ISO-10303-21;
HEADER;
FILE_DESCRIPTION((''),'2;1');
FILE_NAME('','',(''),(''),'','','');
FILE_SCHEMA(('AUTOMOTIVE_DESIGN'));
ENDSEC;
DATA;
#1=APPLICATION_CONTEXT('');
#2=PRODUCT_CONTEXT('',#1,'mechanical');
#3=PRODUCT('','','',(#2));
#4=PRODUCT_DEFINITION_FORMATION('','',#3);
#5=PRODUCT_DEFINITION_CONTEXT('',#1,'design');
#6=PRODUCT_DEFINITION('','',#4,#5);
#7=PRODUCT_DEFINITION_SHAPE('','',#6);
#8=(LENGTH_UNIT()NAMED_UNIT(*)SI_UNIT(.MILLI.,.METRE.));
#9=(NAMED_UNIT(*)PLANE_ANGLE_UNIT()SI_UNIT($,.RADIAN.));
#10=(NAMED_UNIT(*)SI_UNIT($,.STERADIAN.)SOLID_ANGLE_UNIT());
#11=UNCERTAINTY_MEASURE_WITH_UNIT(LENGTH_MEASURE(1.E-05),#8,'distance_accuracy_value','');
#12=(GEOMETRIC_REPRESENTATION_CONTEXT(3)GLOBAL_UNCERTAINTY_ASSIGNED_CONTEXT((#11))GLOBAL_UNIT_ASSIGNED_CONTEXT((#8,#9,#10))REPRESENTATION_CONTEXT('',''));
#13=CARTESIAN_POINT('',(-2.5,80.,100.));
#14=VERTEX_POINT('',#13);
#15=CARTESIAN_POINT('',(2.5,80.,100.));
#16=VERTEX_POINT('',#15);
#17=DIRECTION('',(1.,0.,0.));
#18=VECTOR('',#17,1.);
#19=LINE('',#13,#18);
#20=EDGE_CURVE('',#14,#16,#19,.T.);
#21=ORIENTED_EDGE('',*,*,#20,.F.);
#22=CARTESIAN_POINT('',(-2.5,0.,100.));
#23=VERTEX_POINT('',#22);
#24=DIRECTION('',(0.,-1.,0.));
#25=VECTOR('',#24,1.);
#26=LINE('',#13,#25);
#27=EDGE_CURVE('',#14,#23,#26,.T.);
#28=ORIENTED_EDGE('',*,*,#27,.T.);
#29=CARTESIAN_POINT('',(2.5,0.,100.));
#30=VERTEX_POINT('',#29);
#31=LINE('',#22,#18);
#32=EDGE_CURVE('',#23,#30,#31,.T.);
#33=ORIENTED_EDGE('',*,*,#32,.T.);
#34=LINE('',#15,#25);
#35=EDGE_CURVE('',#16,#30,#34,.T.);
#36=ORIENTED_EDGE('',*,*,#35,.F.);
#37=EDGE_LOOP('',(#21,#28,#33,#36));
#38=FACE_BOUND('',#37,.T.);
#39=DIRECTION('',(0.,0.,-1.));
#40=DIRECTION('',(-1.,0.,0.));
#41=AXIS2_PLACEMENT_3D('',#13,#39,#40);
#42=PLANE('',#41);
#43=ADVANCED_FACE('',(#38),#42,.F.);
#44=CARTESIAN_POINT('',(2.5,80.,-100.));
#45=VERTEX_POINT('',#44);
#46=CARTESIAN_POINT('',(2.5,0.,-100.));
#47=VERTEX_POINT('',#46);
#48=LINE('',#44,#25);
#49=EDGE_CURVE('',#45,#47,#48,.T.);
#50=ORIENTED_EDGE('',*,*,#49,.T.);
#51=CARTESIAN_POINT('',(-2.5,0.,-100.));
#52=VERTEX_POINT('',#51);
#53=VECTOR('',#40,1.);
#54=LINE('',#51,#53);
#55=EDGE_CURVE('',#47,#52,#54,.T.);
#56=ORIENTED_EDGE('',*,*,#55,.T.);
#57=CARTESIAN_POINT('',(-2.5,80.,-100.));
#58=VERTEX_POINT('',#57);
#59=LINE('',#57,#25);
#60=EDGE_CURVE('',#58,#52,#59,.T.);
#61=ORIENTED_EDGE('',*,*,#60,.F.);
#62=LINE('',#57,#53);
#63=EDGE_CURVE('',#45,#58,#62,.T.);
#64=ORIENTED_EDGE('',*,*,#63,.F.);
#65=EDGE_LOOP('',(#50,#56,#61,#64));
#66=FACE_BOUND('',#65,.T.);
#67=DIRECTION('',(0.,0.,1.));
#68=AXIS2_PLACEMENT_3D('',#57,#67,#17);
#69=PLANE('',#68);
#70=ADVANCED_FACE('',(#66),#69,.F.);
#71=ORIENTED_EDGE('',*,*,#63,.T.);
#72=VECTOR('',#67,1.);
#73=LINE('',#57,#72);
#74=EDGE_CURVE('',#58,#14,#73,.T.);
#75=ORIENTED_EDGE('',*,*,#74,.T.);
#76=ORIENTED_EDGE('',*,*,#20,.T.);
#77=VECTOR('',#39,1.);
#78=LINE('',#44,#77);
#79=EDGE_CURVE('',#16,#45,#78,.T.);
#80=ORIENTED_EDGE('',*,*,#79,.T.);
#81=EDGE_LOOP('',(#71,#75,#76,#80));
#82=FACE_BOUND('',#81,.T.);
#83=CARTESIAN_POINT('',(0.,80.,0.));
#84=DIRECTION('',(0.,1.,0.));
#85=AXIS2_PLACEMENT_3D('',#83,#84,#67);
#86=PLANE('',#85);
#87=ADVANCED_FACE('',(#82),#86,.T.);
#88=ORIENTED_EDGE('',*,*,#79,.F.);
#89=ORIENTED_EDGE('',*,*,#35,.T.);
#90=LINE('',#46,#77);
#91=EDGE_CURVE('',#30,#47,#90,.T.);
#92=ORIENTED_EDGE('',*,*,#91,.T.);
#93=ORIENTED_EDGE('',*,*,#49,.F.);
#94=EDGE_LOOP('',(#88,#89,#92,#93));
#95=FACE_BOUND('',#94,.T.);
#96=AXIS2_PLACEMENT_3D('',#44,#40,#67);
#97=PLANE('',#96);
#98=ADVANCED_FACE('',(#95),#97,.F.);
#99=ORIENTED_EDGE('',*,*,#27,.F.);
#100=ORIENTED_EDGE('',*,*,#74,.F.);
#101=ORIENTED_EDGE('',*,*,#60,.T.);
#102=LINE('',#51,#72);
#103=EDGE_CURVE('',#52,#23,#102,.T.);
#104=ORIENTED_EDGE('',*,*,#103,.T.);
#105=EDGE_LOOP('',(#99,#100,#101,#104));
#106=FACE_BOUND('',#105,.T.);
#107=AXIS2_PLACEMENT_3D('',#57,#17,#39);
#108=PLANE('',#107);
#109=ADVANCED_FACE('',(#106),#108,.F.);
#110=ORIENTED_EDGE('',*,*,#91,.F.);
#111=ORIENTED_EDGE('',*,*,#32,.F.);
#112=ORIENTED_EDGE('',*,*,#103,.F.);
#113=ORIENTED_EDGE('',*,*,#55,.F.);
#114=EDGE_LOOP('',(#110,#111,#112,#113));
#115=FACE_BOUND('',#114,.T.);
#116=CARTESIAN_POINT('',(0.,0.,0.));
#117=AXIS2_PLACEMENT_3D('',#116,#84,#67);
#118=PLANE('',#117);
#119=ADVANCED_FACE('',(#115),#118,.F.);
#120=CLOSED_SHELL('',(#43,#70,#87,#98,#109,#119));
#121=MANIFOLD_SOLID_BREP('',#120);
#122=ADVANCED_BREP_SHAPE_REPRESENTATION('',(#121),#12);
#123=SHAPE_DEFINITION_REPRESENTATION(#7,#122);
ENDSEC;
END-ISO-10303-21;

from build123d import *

# Parameters (mm, degrees)
ESQUISSE1_W        = 5
ESQUISSE1_H        = 200
BOSS_EXTRU_1_DEPTH = 80


with BuildPart() as part:
    # Esquisse1 → Boss.-Extru.1 (new body)
    with BuildSketch(Plane(origin=(0, 0, 0), x_dir=(1, 0, 0), z_dir=(0, 1, 0))):
        Rectangle(ESQUISSE1_W, ESQUISSE1_H)
    extrude(amount=BOSS_EXTRU_1_DEPTH)


solid = part.part
